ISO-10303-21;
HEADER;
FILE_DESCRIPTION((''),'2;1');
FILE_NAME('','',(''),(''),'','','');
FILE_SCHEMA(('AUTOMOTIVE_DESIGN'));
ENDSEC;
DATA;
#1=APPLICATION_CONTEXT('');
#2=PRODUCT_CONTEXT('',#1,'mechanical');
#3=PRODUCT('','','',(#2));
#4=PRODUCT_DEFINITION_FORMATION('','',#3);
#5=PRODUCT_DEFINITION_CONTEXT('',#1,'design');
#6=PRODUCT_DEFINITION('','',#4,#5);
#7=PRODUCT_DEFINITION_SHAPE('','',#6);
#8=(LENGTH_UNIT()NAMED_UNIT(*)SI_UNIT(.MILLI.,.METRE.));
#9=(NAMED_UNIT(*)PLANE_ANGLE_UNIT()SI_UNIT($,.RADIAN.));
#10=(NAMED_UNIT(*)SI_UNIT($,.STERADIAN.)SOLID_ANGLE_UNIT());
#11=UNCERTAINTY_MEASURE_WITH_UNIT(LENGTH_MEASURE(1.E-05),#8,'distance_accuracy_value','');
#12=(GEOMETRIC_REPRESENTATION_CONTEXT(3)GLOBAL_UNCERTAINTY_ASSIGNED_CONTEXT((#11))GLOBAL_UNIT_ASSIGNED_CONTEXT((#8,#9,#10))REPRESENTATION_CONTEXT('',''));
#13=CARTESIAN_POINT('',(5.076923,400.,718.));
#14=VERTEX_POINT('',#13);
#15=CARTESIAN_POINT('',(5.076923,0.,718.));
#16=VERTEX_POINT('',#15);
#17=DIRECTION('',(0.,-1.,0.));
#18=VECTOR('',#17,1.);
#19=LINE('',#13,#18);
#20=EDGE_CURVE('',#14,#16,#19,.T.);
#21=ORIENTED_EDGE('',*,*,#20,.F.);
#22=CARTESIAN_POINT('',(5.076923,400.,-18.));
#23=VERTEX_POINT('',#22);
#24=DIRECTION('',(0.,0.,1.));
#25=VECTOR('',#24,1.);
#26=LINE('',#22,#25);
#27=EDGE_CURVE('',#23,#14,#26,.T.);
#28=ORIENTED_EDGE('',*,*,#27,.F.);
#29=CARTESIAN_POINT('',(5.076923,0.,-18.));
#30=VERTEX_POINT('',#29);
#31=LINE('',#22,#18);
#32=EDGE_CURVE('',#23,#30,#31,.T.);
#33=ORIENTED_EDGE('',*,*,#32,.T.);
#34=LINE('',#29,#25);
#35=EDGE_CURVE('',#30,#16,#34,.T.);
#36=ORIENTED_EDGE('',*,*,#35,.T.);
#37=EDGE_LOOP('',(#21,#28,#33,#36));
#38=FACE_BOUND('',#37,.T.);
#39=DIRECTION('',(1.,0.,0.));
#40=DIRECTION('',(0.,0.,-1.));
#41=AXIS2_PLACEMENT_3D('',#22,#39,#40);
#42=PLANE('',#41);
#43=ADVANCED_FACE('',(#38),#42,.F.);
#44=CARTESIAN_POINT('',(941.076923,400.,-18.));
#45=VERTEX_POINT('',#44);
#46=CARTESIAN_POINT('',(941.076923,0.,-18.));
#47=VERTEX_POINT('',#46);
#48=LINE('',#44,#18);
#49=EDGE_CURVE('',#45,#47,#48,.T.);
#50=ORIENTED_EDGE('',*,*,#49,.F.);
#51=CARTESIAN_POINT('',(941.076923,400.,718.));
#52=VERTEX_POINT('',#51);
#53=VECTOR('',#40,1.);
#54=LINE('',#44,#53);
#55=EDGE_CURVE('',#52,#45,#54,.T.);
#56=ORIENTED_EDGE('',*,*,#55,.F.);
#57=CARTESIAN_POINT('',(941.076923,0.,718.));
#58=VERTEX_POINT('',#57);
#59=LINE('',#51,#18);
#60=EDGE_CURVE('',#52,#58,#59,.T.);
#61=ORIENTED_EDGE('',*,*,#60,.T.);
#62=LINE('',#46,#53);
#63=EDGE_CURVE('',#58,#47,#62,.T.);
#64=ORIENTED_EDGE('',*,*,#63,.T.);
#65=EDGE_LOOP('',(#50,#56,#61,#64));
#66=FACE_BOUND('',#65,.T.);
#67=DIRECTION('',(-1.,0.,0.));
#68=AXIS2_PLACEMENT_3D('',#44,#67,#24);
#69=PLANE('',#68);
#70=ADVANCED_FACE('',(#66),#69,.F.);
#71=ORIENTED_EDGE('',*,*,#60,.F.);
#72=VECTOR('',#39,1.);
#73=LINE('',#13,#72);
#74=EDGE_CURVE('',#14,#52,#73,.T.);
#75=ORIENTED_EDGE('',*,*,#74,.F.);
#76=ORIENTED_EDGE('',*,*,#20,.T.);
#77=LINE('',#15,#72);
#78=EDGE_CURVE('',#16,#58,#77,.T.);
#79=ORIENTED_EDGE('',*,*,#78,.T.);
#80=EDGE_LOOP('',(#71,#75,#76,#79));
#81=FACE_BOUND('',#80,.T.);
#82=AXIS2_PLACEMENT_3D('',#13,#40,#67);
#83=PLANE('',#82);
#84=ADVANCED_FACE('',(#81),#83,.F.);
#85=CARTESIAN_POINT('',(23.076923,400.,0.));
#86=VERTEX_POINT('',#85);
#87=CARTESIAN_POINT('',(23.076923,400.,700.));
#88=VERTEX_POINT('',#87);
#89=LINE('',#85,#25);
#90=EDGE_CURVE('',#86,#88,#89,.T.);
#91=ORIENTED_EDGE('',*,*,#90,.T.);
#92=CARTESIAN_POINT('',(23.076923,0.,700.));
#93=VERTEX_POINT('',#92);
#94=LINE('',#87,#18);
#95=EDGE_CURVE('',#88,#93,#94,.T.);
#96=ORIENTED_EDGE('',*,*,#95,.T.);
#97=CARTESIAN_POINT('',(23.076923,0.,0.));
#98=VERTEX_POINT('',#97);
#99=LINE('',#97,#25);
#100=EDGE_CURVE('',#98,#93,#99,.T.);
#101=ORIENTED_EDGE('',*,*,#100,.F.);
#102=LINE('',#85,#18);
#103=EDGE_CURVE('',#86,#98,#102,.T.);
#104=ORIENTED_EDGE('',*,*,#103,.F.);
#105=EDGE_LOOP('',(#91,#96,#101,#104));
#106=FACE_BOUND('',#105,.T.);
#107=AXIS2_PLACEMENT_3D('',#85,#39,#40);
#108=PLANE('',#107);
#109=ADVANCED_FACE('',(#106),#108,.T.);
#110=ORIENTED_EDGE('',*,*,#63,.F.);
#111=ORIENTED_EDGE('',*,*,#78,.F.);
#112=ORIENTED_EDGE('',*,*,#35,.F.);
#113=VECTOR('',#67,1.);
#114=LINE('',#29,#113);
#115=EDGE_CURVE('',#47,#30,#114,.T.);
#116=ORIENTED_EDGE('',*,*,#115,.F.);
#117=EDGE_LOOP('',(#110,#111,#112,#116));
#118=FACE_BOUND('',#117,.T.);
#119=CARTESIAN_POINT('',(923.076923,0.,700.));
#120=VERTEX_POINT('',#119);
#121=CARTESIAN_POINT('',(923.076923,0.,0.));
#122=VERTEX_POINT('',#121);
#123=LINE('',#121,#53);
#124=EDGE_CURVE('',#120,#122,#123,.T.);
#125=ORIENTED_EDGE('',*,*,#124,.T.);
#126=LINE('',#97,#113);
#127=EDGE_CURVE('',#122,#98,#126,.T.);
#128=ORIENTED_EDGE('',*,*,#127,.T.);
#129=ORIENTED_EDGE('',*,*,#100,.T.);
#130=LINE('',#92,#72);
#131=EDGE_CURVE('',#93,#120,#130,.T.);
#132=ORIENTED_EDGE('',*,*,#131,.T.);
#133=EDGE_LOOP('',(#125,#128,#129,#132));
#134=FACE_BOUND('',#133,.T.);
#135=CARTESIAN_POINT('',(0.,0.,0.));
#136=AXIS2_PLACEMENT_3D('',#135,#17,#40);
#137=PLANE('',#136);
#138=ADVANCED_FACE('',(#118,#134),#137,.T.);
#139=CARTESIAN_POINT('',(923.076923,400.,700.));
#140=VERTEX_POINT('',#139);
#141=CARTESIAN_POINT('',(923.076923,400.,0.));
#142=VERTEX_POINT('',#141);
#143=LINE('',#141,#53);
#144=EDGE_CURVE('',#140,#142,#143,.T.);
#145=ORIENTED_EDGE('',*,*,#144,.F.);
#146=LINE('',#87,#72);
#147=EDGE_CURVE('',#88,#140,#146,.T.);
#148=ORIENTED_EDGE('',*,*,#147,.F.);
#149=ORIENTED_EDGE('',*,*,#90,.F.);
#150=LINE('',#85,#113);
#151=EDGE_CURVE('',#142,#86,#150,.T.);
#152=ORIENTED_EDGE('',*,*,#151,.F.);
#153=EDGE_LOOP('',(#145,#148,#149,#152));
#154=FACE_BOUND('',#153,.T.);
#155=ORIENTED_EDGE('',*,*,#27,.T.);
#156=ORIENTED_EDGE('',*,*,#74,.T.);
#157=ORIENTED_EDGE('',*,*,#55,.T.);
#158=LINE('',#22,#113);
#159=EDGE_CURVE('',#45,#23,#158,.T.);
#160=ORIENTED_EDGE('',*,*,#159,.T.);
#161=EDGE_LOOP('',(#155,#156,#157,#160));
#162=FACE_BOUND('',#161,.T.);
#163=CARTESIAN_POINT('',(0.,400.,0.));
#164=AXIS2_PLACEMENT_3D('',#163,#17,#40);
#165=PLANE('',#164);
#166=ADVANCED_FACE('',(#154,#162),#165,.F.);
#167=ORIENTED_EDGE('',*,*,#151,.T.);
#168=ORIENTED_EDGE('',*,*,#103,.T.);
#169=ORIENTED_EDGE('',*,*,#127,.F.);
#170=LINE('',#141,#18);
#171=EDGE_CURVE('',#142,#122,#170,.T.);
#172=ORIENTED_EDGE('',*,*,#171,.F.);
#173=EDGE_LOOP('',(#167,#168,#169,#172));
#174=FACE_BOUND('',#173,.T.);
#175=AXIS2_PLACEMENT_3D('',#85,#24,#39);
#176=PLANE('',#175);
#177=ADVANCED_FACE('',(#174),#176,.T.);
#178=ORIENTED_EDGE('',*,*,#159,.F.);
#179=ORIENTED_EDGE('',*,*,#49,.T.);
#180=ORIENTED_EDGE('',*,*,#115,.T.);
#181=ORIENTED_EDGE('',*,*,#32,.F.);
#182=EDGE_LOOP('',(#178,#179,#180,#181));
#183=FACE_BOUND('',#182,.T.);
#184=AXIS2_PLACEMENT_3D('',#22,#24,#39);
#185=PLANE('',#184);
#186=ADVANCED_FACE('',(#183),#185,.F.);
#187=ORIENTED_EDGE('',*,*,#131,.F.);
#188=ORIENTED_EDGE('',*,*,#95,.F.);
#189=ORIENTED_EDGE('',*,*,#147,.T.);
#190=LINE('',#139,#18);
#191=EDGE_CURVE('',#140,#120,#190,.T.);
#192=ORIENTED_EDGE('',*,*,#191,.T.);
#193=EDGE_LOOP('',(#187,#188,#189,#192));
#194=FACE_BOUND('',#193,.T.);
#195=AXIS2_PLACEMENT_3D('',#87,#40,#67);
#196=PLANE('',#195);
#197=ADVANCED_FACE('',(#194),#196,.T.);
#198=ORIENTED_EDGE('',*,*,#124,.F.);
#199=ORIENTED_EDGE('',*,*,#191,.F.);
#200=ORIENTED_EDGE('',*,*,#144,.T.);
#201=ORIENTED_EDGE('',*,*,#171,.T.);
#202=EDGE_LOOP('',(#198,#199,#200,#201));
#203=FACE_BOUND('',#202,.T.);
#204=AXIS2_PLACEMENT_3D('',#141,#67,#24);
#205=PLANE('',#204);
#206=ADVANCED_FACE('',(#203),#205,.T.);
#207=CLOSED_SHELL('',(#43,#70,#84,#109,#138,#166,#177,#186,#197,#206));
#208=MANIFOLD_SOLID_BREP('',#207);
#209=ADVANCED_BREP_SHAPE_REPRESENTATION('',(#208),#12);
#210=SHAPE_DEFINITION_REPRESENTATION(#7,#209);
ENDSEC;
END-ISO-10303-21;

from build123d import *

# Parameters (mm, degrees)
SKETCH_1_W      = 936
SKETCH_1_H      = 736
SKETCH_1_W_2    = 900
SKETCH_1_H_2    = 700
EXTRUDE_1_DEPTH = 400


with BuildPart() as part:
    # 草图1 → 凸台-拉伸1 (new body)
    with BuildSketch(Plane(origin=(0, 0, 0), x_dir=(1, 0, 0), z_dir=(0, 1, 0))):
        with Locations((473.076923077, -350)):
            Rectangle(SKETCH_1_W, SKETCH_1_H)
        with Locations((473.076923077, -350)):
            Rectangle(SKETCH_1_W_2, SKETCH_1_H_2, mode=Mode.SUBTRACT)
    extrude(amount=EXTRUDE_1_DEPTH)


solid = part.part
